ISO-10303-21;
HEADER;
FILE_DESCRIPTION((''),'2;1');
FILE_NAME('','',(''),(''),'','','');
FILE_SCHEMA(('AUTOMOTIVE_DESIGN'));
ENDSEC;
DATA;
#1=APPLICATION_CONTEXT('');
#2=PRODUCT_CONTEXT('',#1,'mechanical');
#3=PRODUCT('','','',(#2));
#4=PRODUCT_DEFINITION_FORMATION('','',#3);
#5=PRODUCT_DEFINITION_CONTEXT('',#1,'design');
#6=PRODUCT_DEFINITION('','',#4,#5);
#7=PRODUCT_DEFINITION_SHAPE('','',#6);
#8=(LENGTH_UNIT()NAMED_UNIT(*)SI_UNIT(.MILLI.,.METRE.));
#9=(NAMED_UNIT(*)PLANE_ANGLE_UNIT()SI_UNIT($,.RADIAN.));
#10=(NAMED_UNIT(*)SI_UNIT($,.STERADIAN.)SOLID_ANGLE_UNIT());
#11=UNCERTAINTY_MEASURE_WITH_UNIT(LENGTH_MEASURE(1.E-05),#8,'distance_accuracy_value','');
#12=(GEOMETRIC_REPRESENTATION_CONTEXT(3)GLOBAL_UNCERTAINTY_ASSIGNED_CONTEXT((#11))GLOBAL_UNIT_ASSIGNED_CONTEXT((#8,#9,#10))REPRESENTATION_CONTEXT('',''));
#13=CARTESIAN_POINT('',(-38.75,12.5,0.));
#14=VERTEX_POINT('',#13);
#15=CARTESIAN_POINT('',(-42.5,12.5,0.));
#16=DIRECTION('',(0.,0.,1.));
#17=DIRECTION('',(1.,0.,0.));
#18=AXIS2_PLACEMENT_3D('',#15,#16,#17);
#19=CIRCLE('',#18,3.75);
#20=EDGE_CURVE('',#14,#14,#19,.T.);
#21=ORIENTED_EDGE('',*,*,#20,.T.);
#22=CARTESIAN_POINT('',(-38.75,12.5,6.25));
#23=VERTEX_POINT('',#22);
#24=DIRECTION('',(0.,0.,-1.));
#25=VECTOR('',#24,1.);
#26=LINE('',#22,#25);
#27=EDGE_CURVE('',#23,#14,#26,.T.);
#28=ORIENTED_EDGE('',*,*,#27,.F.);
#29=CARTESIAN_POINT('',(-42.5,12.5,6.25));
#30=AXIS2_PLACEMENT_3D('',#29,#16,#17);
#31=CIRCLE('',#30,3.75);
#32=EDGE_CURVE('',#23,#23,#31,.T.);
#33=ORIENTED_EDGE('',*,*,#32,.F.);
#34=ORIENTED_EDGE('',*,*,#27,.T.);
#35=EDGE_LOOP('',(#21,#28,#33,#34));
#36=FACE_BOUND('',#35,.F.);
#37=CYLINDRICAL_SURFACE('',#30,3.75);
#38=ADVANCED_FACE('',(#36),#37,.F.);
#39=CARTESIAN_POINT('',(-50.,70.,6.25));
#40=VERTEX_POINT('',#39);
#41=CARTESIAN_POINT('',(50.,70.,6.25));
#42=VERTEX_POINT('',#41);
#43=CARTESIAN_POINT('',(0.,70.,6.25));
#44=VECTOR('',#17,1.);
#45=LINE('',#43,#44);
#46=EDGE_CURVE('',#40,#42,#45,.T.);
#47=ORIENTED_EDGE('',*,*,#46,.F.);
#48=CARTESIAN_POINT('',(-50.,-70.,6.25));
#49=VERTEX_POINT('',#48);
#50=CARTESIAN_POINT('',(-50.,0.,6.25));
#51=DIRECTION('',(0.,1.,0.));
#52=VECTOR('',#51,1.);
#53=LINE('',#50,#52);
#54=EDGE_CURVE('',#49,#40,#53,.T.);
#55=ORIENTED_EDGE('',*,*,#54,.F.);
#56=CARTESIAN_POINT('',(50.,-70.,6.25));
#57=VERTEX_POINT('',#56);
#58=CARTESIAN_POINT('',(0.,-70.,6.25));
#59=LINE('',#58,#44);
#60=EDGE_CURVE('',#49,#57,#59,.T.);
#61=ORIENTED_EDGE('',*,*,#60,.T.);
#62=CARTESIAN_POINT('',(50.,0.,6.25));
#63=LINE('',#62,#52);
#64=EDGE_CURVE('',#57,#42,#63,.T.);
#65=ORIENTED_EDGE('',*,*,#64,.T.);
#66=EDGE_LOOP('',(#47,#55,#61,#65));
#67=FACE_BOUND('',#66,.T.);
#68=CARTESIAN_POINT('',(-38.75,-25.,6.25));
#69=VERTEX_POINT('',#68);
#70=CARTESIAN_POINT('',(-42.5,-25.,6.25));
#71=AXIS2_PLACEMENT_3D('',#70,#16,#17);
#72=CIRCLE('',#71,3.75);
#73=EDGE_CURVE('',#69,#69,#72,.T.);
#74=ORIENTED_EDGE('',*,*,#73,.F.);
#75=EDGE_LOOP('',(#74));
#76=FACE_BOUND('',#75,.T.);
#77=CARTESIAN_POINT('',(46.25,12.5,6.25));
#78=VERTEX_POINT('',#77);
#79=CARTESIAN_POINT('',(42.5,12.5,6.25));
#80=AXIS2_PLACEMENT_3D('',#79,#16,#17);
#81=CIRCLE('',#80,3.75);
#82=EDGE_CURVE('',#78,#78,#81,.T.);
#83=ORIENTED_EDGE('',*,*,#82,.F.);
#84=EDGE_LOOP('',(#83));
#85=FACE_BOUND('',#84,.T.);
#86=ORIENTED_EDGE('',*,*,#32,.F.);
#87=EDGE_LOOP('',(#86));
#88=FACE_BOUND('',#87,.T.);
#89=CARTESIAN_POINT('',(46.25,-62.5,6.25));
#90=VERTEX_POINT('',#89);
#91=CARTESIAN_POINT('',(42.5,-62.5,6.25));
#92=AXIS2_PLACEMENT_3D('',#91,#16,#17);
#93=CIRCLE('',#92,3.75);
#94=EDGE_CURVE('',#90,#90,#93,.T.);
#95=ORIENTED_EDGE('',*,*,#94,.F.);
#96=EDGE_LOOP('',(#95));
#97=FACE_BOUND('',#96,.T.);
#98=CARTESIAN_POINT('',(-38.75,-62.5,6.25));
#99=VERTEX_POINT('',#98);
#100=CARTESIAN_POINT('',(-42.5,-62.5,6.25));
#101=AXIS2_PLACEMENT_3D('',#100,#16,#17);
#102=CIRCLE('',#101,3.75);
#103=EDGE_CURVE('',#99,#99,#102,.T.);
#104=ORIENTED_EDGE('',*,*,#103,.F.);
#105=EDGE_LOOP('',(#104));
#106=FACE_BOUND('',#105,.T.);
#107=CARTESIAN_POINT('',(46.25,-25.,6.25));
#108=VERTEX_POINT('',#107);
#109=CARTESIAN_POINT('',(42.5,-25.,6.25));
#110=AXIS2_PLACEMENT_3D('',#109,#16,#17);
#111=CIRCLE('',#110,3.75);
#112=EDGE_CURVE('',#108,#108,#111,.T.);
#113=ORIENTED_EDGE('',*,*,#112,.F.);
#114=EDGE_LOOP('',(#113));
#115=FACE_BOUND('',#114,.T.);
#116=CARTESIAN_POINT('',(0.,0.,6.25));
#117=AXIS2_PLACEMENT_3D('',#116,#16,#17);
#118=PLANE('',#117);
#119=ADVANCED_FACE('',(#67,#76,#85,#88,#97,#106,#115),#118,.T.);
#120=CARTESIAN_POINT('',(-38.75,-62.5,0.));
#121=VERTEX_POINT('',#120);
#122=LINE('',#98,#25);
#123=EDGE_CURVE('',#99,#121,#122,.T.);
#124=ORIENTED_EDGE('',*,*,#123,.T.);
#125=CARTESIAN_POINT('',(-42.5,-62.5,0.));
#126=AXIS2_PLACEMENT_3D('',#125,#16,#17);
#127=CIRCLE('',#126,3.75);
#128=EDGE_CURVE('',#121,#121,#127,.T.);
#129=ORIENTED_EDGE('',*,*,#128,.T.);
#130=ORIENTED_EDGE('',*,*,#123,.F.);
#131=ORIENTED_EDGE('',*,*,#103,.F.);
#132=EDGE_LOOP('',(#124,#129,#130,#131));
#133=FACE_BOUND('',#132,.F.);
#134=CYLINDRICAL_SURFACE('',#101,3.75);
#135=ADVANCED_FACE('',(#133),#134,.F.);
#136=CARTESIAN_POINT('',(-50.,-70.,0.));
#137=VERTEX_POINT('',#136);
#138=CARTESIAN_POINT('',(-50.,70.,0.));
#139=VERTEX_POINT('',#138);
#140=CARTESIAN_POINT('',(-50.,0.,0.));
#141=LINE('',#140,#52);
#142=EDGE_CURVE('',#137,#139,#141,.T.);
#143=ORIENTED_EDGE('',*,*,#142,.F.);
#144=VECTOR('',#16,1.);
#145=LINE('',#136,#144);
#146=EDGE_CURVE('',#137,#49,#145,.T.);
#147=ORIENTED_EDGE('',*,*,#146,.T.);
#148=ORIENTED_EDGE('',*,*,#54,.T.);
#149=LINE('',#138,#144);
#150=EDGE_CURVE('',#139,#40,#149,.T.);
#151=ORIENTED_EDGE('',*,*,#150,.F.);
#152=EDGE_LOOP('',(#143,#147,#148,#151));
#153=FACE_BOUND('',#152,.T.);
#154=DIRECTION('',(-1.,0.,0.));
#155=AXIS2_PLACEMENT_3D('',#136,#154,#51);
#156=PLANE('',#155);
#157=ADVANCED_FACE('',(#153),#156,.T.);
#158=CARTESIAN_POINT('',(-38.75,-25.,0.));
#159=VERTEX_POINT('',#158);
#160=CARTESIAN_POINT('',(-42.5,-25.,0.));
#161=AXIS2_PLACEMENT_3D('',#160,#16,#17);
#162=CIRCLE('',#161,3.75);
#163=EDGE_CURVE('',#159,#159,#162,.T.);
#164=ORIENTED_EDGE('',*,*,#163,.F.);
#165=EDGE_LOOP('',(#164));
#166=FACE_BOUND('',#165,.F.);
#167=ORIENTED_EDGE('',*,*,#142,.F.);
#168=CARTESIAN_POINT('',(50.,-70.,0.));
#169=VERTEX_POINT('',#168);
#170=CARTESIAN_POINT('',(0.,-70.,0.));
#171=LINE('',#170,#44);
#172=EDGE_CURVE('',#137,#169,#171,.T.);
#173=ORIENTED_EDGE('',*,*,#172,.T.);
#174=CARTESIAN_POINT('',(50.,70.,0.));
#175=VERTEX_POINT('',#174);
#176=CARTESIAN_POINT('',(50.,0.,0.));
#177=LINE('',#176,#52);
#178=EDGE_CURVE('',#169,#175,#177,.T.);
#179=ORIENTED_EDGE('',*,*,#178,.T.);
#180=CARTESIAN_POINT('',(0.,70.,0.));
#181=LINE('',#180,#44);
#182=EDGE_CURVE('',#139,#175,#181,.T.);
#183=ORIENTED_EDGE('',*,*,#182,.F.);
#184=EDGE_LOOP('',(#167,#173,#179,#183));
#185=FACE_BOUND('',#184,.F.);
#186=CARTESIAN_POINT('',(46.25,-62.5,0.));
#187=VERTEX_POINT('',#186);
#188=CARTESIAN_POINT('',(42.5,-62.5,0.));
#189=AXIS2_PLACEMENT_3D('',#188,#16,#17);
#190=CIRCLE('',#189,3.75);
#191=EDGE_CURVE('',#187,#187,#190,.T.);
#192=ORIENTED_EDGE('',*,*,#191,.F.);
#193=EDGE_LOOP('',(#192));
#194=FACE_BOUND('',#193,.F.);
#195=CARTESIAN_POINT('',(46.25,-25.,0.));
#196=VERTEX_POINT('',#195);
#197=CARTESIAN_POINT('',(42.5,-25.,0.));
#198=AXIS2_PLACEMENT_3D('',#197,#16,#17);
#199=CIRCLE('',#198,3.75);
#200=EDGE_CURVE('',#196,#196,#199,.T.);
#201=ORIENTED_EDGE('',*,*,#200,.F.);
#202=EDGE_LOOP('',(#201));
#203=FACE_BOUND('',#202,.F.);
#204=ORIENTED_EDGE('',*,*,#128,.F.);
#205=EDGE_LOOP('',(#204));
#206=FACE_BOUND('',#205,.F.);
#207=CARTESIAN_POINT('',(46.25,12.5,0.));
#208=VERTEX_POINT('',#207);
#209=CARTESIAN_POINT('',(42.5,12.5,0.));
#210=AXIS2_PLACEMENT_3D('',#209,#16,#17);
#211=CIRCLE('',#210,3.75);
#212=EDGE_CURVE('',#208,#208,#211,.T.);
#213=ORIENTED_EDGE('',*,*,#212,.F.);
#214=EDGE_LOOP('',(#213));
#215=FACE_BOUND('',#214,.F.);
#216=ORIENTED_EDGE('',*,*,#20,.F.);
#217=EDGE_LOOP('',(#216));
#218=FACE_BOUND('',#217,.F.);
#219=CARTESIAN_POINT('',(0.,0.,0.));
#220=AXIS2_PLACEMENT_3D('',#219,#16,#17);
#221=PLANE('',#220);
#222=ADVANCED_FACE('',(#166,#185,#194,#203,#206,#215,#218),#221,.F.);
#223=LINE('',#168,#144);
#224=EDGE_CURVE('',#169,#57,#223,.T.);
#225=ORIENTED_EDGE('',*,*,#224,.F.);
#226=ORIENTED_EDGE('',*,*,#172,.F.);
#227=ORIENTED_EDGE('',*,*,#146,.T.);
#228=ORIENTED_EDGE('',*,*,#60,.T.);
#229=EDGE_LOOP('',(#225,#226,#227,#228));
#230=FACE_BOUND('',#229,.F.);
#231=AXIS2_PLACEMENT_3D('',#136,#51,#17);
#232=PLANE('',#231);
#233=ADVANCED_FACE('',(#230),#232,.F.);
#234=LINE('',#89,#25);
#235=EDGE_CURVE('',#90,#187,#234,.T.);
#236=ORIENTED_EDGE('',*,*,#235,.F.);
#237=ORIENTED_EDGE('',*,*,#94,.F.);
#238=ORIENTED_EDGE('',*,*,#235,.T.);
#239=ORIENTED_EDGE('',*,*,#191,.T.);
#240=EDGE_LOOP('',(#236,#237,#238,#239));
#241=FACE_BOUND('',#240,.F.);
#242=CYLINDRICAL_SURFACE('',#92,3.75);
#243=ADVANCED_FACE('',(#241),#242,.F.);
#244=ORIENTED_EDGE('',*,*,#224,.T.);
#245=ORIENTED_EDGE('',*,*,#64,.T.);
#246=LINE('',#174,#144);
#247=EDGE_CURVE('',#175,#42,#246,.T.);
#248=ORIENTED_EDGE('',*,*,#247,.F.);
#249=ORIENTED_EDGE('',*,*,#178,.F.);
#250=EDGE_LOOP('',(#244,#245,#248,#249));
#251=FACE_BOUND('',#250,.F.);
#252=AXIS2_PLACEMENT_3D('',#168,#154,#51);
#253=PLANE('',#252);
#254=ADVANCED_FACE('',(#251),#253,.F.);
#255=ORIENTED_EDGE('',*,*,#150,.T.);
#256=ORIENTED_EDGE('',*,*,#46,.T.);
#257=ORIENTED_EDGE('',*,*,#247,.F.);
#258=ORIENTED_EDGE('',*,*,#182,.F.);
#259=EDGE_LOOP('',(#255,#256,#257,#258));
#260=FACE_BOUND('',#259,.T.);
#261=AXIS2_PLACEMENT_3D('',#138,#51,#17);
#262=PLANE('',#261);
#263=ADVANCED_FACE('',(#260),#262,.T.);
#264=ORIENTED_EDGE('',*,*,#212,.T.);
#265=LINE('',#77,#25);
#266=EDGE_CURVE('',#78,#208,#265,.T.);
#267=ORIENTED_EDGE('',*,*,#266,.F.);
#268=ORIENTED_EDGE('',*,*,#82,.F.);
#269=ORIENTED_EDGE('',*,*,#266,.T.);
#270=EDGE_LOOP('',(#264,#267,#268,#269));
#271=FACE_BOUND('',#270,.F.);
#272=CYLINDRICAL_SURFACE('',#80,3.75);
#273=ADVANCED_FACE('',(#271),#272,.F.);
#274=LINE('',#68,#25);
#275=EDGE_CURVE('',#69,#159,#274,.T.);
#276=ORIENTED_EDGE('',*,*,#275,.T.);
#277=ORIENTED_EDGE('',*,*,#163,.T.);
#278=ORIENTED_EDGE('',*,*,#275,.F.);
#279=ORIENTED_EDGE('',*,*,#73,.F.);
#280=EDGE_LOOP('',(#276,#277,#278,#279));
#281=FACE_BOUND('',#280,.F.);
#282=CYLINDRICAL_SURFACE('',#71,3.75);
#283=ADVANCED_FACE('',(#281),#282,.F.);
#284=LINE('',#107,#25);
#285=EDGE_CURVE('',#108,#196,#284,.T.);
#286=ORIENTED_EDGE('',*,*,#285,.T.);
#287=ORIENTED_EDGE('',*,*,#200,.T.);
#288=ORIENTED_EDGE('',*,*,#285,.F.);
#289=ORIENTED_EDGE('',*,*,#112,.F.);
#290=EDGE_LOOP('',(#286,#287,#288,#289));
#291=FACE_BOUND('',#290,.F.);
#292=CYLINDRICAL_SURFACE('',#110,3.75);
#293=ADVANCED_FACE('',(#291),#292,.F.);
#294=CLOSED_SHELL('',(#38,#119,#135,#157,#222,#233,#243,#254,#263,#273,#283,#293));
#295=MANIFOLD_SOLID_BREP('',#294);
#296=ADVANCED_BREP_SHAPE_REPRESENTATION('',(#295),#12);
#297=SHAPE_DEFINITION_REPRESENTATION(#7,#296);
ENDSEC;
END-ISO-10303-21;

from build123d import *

# Parameters (mm, degrees)
F0_W     = 100
F0_H     = 140
F1_DEPTH = 6.25
F2_R     = 3.75
F3_DEPTH = 25


with BuildPart() as f1:
    # F0 (on Top) → F1 (new body)
    with BuildSketch(Plane.XY):
        Rectangle(F0_W, F0_H)
    extrude(amount=F1_DEPTH)

    # F2 (on face) → F3 (cut)
    with BuildSketch(Plane.XY.offset(6.25)):
        with Locations((-42.5, -62.5)):
            Circle(F2_R)
        with Locations((-42.5, -25)):
            Circle(F2_R)
        with Locations((-42.5, 12.5)):
            Circle(F2_R)
        with Locations((42.5, 12.5)):
            Circle(F2_R)
        with Locations((42.5, -62.5)):
            Circle(F2_R)
        with Locations((42.5, -25)):
            Circle(F2_R)
    extrude(amount=-F3_DEPTH, mode=Mode.SUBTRACT)


solid = f1.part
